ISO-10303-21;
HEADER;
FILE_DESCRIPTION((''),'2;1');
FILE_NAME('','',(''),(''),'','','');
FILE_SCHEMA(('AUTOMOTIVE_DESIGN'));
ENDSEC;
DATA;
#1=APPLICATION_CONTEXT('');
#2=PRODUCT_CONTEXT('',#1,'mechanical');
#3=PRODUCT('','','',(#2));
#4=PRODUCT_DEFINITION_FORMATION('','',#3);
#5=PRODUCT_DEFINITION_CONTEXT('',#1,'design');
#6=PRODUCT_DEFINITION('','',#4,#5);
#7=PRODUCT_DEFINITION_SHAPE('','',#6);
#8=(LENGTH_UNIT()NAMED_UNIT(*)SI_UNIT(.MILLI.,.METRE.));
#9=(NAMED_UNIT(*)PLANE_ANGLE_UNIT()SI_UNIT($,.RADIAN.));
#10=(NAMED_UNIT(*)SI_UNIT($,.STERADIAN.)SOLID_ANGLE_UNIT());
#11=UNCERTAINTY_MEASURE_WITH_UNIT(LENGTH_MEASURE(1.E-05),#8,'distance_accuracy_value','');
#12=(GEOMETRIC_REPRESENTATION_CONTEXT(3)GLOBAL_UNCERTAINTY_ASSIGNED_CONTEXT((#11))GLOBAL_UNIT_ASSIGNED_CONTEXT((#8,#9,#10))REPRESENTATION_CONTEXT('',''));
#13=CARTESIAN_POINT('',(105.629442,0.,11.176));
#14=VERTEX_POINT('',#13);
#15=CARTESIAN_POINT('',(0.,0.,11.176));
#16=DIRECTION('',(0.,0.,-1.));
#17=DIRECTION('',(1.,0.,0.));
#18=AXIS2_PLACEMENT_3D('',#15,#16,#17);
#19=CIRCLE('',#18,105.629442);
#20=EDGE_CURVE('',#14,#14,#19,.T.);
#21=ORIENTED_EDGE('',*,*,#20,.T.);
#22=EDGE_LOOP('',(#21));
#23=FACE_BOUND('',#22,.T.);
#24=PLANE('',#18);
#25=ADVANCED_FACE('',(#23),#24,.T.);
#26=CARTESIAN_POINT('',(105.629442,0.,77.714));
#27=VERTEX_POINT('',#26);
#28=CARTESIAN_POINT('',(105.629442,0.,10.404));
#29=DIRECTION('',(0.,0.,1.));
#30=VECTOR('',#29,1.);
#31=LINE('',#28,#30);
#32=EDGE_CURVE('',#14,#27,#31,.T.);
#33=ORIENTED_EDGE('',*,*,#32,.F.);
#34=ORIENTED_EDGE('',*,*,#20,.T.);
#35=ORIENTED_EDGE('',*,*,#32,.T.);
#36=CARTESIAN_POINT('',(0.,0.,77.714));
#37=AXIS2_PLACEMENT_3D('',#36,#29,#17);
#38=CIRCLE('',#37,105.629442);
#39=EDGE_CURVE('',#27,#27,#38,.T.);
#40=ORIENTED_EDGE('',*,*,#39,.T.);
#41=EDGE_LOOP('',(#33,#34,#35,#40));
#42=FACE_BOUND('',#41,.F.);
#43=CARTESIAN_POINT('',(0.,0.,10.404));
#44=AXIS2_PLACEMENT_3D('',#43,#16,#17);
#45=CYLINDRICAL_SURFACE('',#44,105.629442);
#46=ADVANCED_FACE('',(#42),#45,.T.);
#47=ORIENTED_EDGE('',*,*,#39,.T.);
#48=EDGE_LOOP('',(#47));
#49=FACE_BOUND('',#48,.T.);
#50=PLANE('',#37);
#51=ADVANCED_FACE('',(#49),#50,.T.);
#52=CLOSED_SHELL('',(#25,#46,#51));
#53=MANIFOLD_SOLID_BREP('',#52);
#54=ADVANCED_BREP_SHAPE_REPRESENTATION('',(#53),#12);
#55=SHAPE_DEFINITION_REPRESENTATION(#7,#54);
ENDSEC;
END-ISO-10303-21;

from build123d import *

# Parameters (mm, degrees)
F0_R     = 127
F1_DEPTH = 80
F2_R     = 105.6868422046
F3_DEPTH = 69.596
F4_R     = 105.629442308
F5_DEPTH = 67.31
F6_R     = 127
F6_R_2   = 105.6868422046
F7_DEPTH = 109.474
F8_R     = 105.6868422046
F9_DEPTH = 11.176


with BuildPart() as f1:
    # F0 (on Top) → F1 (new body)
    with BuildSketch(Plane.XY):
        Circle(F0_R)
    extrude(amount=F1_DEPTH)

    # F2 (on face) → F3 (cut)
    with BuildSketch(Plane.XY.offset(80)):
        Circle(F2_R)
    extrude(amount=-F3_DEPTH, mode=Mode.SUBTRACT)

    # F4 (on face) → F5 (join)
    with BuildSketch(Plane.XY.offset(10.404)):
        Circle(F4_R)
    extrude(amount=F5_DEPTH)

    # F6 (on face) → F7 (cut)
    with BuildSketch(Plane.XY.offset(80)):
        Circle(F6_R)
        Circle(F6_R_2, mode=Mode.SUBTRACT)
    extrude(amount=-F7_DEPTH, mode=Mode.SUBTRACT)

    # F8 (on face) → F9 (cut)
    with BuildSketch(Plane(origin=(0, 0, 0), x_dir=(1, 0, 0), z_dir=(0, 0, -1))):
        Circle(F8_R)
    extrude(amount=-F9_DEPTH, mode=Mode.SUBTRACT)


solid = f1.part
